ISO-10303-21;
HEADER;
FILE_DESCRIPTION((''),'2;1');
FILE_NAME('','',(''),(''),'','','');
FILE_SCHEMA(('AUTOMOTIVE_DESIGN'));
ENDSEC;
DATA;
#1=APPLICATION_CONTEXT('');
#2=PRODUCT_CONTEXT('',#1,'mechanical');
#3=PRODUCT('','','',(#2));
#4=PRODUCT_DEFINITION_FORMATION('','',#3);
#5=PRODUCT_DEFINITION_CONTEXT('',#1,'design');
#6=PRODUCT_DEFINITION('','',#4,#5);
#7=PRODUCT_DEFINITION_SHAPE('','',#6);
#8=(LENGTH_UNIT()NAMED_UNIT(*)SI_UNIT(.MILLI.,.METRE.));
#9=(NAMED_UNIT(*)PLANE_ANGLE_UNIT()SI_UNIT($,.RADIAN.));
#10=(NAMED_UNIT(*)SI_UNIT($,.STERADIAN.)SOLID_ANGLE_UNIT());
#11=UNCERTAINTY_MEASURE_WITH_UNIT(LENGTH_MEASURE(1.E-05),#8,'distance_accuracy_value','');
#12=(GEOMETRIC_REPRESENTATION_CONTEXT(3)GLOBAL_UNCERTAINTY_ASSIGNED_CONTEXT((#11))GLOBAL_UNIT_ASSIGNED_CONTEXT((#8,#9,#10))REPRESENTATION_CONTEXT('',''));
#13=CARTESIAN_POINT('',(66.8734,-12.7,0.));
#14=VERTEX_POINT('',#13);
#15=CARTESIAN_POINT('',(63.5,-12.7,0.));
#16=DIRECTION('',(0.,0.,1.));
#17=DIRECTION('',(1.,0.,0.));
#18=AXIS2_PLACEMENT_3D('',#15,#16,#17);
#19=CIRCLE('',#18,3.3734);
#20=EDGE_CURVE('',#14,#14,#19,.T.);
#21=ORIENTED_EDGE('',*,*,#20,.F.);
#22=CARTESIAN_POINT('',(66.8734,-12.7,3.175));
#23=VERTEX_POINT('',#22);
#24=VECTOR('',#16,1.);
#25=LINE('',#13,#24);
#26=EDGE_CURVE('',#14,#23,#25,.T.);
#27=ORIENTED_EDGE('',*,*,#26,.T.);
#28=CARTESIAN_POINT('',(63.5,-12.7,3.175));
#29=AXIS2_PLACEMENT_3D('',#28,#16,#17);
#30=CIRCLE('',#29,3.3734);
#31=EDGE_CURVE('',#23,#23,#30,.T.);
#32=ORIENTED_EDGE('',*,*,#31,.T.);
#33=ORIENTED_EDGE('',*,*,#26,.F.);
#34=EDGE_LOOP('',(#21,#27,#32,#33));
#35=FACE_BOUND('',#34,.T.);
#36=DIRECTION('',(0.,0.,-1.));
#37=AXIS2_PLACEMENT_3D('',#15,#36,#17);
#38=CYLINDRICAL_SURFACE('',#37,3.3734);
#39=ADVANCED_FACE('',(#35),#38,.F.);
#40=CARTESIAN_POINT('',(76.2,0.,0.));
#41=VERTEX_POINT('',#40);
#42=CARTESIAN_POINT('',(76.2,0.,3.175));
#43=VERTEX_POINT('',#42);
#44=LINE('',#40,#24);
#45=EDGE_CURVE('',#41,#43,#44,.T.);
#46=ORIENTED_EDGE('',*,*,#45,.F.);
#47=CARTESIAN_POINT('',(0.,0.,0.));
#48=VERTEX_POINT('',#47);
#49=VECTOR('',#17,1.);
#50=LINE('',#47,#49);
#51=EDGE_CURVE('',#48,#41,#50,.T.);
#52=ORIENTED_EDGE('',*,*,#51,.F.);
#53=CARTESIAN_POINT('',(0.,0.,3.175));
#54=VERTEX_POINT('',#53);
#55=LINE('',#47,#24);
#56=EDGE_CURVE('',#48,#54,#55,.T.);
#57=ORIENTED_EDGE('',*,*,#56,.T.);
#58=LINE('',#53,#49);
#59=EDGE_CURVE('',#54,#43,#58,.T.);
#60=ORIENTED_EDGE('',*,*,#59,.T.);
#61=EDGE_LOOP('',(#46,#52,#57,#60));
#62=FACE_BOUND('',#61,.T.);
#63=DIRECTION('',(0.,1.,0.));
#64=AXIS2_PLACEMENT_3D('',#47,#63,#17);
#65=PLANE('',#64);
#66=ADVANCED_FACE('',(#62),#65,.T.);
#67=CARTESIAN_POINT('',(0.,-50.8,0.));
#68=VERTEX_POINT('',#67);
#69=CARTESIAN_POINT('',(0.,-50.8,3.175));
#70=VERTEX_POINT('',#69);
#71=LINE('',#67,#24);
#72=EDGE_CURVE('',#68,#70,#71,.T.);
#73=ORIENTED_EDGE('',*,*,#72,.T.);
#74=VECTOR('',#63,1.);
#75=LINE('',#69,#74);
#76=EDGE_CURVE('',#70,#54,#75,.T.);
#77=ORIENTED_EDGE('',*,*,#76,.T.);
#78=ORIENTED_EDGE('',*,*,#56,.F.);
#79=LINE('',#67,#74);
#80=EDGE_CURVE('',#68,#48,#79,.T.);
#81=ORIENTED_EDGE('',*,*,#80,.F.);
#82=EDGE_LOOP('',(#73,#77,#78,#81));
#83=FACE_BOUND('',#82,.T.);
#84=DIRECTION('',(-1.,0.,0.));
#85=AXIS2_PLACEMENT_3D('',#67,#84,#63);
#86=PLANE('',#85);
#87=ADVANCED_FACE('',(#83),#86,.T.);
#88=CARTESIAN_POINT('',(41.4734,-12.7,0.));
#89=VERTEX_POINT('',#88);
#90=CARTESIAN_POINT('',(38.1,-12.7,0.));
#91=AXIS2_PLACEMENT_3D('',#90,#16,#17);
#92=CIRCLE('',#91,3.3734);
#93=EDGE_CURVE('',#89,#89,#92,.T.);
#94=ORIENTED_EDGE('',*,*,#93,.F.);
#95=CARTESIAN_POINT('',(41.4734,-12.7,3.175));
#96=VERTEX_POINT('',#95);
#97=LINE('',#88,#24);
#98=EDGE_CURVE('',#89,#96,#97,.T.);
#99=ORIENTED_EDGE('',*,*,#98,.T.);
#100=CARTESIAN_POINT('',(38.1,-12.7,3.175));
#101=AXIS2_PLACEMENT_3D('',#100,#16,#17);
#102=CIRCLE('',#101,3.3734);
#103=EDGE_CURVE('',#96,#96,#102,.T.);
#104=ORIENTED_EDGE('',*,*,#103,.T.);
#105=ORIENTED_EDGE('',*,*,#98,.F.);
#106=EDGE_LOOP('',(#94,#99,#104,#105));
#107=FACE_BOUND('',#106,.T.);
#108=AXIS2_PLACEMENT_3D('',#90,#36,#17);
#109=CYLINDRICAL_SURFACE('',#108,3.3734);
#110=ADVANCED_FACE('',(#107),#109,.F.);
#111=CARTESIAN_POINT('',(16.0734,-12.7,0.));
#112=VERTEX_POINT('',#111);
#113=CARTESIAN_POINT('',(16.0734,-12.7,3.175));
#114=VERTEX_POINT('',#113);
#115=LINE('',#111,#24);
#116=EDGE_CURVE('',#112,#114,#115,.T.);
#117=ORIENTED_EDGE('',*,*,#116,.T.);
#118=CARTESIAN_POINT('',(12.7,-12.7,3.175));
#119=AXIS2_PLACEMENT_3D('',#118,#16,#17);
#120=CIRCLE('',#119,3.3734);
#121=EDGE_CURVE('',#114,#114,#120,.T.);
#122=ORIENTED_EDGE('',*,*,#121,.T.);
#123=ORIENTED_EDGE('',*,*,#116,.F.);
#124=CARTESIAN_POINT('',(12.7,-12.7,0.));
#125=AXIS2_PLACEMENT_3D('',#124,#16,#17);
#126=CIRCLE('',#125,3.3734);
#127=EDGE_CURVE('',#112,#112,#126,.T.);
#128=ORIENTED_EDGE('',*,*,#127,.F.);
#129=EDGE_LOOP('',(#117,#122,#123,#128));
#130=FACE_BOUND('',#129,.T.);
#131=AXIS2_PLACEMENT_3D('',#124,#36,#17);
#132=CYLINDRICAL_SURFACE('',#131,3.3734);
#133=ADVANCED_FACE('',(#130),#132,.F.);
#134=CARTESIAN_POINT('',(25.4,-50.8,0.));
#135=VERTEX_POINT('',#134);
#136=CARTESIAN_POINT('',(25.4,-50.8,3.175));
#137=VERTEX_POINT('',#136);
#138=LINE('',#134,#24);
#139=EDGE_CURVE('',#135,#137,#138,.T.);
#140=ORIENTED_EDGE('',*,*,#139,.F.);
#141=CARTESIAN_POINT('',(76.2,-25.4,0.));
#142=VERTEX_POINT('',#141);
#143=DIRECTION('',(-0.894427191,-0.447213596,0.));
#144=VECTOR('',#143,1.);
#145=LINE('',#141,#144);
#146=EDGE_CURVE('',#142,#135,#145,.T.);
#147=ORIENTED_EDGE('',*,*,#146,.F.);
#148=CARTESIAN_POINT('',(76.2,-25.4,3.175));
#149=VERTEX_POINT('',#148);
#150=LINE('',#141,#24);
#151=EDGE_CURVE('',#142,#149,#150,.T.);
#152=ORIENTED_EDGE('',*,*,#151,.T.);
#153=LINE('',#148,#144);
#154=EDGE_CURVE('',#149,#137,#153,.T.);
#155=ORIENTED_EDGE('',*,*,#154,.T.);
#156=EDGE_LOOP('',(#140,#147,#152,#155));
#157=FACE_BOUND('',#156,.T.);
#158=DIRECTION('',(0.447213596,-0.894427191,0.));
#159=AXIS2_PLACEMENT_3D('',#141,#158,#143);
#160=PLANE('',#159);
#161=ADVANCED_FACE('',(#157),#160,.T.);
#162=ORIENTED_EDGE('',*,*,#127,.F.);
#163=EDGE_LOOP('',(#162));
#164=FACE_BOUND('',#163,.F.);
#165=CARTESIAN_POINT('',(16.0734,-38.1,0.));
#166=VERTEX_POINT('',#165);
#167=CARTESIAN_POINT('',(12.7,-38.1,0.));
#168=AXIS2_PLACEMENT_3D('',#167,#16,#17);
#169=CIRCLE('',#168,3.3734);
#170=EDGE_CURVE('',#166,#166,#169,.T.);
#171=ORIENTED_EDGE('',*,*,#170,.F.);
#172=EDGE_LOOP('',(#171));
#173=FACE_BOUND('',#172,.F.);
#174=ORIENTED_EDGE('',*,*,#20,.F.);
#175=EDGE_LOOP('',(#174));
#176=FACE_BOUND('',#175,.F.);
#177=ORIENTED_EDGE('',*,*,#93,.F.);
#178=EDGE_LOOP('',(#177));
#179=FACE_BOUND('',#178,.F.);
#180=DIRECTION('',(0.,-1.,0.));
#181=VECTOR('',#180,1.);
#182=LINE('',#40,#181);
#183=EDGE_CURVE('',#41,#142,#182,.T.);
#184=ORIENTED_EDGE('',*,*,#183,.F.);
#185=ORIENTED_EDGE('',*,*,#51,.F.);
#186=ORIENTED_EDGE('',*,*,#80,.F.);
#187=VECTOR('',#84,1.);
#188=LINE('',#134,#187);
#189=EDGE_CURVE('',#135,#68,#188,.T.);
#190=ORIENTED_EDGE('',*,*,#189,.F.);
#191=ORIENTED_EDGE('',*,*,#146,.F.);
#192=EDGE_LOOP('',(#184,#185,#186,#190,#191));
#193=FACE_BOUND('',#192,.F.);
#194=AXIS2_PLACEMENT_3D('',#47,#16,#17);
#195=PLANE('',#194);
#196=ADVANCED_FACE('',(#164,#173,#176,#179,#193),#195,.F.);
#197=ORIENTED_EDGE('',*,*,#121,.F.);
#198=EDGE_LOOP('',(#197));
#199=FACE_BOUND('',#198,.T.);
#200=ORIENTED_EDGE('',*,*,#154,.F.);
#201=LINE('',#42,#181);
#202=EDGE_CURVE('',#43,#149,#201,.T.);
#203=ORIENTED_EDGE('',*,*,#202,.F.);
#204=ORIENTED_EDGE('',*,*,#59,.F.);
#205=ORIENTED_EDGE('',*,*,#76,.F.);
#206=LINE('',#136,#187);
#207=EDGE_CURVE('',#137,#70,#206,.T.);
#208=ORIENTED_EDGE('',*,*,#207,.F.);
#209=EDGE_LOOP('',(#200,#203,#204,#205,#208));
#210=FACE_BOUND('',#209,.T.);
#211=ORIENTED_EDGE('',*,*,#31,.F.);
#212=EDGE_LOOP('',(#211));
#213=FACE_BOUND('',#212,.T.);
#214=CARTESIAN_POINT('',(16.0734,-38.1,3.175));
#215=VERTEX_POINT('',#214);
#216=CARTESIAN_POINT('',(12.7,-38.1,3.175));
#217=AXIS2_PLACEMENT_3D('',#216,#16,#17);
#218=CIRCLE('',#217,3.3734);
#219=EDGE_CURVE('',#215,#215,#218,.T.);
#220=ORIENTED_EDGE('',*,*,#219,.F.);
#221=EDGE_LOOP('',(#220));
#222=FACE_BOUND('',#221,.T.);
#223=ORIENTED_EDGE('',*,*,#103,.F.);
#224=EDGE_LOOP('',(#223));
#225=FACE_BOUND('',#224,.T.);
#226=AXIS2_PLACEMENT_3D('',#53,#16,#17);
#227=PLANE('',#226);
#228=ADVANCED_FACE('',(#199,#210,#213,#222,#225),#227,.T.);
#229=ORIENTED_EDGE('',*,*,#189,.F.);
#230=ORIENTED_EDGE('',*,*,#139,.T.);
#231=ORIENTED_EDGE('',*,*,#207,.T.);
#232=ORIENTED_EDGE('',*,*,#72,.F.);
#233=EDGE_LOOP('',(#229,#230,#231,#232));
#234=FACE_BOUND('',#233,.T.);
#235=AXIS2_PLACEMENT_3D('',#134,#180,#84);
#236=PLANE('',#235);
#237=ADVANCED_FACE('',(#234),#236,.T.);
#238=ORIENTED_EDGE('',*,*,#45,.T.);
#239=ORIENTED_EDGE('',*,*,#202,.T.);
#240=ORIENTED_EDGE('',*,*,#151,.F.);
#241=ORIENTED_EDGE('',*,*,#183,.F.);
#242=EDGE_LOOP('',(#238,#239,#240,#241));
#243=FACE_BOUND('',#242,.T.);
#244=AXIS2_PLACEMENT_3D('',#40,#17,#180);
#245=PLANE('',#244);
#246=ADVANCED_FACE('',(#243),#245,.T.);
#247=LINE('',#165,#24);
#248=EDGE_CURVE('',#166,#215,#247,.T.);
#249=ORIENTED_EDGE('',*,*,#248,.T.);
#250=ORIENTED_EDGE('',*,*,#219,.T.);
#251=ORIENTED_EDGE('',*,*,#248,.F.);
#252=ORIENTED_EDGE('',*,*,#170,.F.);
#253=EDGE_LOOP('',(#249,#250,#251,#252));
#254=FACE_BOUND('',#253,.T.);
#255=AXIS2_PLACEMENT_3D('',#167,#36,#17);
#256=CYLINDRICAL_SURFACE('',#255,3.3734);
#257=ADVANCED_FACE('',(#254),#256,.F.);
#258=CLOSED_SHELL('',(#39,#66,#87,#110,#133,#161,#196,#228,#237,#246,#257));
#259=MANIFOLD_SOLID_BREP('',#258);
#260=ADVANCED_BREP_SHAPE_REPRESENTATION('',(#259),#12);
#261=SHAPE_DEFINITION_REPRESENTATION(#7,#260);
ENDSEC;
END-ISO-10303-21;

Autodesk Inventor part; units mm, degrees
ref_plane "YZ Plane" through (0, 0, 0) normal (1, 0, 0) x (0, 1, 0)
ref_plane "XZ Plane" through (0, 0, 0) normal (0, 1, 0) x (-1, 0, 0)
ref_plane "XY Plane" through (0, 0, 0) normal (0, 0, 1) x (1, 0, 0)
sketch "Sketch1" plane through (0, 0, 0) normal (0, 0, 1) x (1, 0, 0)
  line L0 (0, 0) -> (76.2, 0)
  line L1 (76.2, 0) -> (76.2, -25.4)
  line L2 (76.2, -25.4) -> (25.4, -50.8)
  line L3 (25.4, -50.8) -> (0, -50.8)
  line L4 (0, -50.8) -> (0, 0)
  circle A0 centre (63.5, -12.7) radius 3.3734
  circle A1 centre (38.1, -12.7) radius 3.3734
  circle A2 centre (12.7, -12.7) radius 3.3734
  circle A3 centre (12.7, -38.1) radius 3.3734
  dimension "d0" = 25.4
  dimension "d1" = 25.4
  dimension "d2" = 76.2
  dimension "d3" = 50.8
  dimension "d4" = 6.7469
  dimension "d5" = 12.7
  dimension "d6" = 12.7
  dimension "d7" = 12.7
  dimension "d8" = 12.7
  dimension "d9" = 12.7
  dimension "d10" = 38.1
  dimension "d11" = 12.7
  dimension "d12" = 12.7
extrude "Extrusion1" add sketch "Sketch1" along normal blind 3.175
properties part number "bottom gusset"
